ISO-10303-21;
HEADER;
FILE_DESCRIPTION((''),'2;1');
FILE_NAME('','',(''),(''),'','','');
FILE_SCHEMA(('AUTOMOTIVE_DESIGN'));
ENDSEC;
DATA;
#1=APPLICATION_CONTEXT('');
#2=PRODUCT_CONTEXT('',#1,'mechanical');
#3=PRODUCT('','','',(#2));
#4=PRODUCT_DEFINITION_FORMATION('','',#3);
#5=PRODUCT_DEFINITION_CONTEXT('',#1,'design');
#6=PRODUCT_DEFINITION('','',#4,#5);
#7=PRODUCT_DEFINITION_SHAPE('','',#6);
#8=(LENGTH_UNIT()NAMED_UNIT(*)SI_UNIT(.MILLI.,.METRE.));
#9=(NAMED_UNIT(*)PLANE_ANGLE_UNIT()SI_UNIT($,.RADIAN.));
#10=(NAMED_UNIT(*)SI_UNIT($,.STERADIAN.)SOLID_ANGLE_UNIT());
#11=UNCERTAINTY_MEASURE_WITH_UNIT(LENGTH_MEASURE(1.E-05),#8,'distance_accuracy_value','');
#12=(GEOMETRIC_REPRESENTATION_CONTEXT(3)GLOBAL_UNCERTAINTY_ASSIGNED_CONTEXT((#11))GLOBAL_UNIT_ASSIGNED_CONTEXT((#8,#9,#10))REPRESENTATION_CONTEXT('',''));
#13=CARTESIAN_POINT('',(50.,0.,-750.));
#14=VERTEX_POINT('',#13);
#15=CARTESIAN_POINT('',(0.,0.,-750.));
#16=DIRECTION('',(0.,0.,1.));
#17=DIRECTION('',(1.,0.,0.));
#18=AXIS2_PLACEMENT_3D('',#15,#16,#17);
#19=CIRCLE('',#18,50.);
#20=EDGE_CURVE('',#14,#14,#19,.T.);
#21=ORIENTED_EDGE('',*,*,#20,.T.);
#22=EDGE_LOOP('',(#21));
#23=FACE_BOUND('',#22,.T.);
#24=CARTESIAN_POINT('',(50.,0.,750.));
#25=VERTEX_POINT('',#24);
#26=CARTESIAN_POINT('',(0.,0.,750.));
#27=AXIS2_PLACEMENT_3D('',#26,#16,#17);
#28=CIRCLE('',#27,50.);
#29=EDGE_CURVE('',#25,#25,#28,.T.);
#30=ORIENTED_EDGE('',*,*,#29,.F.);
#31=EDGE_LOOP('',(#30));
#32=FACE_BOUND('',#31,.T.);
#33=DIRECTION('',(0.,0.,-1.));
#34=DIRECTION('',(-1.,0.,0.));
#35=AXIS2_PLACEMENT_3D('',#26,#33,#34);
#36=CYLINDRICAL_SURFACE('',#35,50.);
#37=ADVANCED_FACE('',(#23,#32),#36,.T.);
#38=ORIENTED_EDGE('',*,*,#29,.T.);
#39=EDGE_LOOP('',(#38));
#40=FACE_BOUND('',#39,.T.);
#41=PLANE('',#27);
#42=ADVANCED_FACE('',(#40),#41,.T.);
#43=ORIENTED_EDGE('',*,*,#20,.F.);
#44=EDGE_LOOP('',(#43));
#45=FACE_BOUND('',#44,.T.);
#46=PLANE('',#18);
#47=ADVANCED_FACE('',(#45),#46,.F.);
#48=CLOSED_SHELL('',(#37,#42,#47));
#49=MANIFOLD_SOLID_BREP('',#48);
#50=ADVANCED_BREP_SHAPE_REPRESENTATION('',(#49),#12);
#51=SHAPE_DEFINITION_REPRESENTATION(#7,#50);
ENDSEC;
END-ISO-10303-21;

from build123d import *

# Parameters (mm, degrees)
SKETCH1_R           = 50
BOSS_EXTRUDE1_DEPTH = 750


with BuildPart() as part:
    # Sketch1 → Boss-Extrude1 (new body, symmetric)
    with BuildSketch(Plane.XY):
        Circle(SKETCH1_R)
    extrude(amount=BOSS_EXTRUDE1_DEPTH, both=True)


solid = part.part
